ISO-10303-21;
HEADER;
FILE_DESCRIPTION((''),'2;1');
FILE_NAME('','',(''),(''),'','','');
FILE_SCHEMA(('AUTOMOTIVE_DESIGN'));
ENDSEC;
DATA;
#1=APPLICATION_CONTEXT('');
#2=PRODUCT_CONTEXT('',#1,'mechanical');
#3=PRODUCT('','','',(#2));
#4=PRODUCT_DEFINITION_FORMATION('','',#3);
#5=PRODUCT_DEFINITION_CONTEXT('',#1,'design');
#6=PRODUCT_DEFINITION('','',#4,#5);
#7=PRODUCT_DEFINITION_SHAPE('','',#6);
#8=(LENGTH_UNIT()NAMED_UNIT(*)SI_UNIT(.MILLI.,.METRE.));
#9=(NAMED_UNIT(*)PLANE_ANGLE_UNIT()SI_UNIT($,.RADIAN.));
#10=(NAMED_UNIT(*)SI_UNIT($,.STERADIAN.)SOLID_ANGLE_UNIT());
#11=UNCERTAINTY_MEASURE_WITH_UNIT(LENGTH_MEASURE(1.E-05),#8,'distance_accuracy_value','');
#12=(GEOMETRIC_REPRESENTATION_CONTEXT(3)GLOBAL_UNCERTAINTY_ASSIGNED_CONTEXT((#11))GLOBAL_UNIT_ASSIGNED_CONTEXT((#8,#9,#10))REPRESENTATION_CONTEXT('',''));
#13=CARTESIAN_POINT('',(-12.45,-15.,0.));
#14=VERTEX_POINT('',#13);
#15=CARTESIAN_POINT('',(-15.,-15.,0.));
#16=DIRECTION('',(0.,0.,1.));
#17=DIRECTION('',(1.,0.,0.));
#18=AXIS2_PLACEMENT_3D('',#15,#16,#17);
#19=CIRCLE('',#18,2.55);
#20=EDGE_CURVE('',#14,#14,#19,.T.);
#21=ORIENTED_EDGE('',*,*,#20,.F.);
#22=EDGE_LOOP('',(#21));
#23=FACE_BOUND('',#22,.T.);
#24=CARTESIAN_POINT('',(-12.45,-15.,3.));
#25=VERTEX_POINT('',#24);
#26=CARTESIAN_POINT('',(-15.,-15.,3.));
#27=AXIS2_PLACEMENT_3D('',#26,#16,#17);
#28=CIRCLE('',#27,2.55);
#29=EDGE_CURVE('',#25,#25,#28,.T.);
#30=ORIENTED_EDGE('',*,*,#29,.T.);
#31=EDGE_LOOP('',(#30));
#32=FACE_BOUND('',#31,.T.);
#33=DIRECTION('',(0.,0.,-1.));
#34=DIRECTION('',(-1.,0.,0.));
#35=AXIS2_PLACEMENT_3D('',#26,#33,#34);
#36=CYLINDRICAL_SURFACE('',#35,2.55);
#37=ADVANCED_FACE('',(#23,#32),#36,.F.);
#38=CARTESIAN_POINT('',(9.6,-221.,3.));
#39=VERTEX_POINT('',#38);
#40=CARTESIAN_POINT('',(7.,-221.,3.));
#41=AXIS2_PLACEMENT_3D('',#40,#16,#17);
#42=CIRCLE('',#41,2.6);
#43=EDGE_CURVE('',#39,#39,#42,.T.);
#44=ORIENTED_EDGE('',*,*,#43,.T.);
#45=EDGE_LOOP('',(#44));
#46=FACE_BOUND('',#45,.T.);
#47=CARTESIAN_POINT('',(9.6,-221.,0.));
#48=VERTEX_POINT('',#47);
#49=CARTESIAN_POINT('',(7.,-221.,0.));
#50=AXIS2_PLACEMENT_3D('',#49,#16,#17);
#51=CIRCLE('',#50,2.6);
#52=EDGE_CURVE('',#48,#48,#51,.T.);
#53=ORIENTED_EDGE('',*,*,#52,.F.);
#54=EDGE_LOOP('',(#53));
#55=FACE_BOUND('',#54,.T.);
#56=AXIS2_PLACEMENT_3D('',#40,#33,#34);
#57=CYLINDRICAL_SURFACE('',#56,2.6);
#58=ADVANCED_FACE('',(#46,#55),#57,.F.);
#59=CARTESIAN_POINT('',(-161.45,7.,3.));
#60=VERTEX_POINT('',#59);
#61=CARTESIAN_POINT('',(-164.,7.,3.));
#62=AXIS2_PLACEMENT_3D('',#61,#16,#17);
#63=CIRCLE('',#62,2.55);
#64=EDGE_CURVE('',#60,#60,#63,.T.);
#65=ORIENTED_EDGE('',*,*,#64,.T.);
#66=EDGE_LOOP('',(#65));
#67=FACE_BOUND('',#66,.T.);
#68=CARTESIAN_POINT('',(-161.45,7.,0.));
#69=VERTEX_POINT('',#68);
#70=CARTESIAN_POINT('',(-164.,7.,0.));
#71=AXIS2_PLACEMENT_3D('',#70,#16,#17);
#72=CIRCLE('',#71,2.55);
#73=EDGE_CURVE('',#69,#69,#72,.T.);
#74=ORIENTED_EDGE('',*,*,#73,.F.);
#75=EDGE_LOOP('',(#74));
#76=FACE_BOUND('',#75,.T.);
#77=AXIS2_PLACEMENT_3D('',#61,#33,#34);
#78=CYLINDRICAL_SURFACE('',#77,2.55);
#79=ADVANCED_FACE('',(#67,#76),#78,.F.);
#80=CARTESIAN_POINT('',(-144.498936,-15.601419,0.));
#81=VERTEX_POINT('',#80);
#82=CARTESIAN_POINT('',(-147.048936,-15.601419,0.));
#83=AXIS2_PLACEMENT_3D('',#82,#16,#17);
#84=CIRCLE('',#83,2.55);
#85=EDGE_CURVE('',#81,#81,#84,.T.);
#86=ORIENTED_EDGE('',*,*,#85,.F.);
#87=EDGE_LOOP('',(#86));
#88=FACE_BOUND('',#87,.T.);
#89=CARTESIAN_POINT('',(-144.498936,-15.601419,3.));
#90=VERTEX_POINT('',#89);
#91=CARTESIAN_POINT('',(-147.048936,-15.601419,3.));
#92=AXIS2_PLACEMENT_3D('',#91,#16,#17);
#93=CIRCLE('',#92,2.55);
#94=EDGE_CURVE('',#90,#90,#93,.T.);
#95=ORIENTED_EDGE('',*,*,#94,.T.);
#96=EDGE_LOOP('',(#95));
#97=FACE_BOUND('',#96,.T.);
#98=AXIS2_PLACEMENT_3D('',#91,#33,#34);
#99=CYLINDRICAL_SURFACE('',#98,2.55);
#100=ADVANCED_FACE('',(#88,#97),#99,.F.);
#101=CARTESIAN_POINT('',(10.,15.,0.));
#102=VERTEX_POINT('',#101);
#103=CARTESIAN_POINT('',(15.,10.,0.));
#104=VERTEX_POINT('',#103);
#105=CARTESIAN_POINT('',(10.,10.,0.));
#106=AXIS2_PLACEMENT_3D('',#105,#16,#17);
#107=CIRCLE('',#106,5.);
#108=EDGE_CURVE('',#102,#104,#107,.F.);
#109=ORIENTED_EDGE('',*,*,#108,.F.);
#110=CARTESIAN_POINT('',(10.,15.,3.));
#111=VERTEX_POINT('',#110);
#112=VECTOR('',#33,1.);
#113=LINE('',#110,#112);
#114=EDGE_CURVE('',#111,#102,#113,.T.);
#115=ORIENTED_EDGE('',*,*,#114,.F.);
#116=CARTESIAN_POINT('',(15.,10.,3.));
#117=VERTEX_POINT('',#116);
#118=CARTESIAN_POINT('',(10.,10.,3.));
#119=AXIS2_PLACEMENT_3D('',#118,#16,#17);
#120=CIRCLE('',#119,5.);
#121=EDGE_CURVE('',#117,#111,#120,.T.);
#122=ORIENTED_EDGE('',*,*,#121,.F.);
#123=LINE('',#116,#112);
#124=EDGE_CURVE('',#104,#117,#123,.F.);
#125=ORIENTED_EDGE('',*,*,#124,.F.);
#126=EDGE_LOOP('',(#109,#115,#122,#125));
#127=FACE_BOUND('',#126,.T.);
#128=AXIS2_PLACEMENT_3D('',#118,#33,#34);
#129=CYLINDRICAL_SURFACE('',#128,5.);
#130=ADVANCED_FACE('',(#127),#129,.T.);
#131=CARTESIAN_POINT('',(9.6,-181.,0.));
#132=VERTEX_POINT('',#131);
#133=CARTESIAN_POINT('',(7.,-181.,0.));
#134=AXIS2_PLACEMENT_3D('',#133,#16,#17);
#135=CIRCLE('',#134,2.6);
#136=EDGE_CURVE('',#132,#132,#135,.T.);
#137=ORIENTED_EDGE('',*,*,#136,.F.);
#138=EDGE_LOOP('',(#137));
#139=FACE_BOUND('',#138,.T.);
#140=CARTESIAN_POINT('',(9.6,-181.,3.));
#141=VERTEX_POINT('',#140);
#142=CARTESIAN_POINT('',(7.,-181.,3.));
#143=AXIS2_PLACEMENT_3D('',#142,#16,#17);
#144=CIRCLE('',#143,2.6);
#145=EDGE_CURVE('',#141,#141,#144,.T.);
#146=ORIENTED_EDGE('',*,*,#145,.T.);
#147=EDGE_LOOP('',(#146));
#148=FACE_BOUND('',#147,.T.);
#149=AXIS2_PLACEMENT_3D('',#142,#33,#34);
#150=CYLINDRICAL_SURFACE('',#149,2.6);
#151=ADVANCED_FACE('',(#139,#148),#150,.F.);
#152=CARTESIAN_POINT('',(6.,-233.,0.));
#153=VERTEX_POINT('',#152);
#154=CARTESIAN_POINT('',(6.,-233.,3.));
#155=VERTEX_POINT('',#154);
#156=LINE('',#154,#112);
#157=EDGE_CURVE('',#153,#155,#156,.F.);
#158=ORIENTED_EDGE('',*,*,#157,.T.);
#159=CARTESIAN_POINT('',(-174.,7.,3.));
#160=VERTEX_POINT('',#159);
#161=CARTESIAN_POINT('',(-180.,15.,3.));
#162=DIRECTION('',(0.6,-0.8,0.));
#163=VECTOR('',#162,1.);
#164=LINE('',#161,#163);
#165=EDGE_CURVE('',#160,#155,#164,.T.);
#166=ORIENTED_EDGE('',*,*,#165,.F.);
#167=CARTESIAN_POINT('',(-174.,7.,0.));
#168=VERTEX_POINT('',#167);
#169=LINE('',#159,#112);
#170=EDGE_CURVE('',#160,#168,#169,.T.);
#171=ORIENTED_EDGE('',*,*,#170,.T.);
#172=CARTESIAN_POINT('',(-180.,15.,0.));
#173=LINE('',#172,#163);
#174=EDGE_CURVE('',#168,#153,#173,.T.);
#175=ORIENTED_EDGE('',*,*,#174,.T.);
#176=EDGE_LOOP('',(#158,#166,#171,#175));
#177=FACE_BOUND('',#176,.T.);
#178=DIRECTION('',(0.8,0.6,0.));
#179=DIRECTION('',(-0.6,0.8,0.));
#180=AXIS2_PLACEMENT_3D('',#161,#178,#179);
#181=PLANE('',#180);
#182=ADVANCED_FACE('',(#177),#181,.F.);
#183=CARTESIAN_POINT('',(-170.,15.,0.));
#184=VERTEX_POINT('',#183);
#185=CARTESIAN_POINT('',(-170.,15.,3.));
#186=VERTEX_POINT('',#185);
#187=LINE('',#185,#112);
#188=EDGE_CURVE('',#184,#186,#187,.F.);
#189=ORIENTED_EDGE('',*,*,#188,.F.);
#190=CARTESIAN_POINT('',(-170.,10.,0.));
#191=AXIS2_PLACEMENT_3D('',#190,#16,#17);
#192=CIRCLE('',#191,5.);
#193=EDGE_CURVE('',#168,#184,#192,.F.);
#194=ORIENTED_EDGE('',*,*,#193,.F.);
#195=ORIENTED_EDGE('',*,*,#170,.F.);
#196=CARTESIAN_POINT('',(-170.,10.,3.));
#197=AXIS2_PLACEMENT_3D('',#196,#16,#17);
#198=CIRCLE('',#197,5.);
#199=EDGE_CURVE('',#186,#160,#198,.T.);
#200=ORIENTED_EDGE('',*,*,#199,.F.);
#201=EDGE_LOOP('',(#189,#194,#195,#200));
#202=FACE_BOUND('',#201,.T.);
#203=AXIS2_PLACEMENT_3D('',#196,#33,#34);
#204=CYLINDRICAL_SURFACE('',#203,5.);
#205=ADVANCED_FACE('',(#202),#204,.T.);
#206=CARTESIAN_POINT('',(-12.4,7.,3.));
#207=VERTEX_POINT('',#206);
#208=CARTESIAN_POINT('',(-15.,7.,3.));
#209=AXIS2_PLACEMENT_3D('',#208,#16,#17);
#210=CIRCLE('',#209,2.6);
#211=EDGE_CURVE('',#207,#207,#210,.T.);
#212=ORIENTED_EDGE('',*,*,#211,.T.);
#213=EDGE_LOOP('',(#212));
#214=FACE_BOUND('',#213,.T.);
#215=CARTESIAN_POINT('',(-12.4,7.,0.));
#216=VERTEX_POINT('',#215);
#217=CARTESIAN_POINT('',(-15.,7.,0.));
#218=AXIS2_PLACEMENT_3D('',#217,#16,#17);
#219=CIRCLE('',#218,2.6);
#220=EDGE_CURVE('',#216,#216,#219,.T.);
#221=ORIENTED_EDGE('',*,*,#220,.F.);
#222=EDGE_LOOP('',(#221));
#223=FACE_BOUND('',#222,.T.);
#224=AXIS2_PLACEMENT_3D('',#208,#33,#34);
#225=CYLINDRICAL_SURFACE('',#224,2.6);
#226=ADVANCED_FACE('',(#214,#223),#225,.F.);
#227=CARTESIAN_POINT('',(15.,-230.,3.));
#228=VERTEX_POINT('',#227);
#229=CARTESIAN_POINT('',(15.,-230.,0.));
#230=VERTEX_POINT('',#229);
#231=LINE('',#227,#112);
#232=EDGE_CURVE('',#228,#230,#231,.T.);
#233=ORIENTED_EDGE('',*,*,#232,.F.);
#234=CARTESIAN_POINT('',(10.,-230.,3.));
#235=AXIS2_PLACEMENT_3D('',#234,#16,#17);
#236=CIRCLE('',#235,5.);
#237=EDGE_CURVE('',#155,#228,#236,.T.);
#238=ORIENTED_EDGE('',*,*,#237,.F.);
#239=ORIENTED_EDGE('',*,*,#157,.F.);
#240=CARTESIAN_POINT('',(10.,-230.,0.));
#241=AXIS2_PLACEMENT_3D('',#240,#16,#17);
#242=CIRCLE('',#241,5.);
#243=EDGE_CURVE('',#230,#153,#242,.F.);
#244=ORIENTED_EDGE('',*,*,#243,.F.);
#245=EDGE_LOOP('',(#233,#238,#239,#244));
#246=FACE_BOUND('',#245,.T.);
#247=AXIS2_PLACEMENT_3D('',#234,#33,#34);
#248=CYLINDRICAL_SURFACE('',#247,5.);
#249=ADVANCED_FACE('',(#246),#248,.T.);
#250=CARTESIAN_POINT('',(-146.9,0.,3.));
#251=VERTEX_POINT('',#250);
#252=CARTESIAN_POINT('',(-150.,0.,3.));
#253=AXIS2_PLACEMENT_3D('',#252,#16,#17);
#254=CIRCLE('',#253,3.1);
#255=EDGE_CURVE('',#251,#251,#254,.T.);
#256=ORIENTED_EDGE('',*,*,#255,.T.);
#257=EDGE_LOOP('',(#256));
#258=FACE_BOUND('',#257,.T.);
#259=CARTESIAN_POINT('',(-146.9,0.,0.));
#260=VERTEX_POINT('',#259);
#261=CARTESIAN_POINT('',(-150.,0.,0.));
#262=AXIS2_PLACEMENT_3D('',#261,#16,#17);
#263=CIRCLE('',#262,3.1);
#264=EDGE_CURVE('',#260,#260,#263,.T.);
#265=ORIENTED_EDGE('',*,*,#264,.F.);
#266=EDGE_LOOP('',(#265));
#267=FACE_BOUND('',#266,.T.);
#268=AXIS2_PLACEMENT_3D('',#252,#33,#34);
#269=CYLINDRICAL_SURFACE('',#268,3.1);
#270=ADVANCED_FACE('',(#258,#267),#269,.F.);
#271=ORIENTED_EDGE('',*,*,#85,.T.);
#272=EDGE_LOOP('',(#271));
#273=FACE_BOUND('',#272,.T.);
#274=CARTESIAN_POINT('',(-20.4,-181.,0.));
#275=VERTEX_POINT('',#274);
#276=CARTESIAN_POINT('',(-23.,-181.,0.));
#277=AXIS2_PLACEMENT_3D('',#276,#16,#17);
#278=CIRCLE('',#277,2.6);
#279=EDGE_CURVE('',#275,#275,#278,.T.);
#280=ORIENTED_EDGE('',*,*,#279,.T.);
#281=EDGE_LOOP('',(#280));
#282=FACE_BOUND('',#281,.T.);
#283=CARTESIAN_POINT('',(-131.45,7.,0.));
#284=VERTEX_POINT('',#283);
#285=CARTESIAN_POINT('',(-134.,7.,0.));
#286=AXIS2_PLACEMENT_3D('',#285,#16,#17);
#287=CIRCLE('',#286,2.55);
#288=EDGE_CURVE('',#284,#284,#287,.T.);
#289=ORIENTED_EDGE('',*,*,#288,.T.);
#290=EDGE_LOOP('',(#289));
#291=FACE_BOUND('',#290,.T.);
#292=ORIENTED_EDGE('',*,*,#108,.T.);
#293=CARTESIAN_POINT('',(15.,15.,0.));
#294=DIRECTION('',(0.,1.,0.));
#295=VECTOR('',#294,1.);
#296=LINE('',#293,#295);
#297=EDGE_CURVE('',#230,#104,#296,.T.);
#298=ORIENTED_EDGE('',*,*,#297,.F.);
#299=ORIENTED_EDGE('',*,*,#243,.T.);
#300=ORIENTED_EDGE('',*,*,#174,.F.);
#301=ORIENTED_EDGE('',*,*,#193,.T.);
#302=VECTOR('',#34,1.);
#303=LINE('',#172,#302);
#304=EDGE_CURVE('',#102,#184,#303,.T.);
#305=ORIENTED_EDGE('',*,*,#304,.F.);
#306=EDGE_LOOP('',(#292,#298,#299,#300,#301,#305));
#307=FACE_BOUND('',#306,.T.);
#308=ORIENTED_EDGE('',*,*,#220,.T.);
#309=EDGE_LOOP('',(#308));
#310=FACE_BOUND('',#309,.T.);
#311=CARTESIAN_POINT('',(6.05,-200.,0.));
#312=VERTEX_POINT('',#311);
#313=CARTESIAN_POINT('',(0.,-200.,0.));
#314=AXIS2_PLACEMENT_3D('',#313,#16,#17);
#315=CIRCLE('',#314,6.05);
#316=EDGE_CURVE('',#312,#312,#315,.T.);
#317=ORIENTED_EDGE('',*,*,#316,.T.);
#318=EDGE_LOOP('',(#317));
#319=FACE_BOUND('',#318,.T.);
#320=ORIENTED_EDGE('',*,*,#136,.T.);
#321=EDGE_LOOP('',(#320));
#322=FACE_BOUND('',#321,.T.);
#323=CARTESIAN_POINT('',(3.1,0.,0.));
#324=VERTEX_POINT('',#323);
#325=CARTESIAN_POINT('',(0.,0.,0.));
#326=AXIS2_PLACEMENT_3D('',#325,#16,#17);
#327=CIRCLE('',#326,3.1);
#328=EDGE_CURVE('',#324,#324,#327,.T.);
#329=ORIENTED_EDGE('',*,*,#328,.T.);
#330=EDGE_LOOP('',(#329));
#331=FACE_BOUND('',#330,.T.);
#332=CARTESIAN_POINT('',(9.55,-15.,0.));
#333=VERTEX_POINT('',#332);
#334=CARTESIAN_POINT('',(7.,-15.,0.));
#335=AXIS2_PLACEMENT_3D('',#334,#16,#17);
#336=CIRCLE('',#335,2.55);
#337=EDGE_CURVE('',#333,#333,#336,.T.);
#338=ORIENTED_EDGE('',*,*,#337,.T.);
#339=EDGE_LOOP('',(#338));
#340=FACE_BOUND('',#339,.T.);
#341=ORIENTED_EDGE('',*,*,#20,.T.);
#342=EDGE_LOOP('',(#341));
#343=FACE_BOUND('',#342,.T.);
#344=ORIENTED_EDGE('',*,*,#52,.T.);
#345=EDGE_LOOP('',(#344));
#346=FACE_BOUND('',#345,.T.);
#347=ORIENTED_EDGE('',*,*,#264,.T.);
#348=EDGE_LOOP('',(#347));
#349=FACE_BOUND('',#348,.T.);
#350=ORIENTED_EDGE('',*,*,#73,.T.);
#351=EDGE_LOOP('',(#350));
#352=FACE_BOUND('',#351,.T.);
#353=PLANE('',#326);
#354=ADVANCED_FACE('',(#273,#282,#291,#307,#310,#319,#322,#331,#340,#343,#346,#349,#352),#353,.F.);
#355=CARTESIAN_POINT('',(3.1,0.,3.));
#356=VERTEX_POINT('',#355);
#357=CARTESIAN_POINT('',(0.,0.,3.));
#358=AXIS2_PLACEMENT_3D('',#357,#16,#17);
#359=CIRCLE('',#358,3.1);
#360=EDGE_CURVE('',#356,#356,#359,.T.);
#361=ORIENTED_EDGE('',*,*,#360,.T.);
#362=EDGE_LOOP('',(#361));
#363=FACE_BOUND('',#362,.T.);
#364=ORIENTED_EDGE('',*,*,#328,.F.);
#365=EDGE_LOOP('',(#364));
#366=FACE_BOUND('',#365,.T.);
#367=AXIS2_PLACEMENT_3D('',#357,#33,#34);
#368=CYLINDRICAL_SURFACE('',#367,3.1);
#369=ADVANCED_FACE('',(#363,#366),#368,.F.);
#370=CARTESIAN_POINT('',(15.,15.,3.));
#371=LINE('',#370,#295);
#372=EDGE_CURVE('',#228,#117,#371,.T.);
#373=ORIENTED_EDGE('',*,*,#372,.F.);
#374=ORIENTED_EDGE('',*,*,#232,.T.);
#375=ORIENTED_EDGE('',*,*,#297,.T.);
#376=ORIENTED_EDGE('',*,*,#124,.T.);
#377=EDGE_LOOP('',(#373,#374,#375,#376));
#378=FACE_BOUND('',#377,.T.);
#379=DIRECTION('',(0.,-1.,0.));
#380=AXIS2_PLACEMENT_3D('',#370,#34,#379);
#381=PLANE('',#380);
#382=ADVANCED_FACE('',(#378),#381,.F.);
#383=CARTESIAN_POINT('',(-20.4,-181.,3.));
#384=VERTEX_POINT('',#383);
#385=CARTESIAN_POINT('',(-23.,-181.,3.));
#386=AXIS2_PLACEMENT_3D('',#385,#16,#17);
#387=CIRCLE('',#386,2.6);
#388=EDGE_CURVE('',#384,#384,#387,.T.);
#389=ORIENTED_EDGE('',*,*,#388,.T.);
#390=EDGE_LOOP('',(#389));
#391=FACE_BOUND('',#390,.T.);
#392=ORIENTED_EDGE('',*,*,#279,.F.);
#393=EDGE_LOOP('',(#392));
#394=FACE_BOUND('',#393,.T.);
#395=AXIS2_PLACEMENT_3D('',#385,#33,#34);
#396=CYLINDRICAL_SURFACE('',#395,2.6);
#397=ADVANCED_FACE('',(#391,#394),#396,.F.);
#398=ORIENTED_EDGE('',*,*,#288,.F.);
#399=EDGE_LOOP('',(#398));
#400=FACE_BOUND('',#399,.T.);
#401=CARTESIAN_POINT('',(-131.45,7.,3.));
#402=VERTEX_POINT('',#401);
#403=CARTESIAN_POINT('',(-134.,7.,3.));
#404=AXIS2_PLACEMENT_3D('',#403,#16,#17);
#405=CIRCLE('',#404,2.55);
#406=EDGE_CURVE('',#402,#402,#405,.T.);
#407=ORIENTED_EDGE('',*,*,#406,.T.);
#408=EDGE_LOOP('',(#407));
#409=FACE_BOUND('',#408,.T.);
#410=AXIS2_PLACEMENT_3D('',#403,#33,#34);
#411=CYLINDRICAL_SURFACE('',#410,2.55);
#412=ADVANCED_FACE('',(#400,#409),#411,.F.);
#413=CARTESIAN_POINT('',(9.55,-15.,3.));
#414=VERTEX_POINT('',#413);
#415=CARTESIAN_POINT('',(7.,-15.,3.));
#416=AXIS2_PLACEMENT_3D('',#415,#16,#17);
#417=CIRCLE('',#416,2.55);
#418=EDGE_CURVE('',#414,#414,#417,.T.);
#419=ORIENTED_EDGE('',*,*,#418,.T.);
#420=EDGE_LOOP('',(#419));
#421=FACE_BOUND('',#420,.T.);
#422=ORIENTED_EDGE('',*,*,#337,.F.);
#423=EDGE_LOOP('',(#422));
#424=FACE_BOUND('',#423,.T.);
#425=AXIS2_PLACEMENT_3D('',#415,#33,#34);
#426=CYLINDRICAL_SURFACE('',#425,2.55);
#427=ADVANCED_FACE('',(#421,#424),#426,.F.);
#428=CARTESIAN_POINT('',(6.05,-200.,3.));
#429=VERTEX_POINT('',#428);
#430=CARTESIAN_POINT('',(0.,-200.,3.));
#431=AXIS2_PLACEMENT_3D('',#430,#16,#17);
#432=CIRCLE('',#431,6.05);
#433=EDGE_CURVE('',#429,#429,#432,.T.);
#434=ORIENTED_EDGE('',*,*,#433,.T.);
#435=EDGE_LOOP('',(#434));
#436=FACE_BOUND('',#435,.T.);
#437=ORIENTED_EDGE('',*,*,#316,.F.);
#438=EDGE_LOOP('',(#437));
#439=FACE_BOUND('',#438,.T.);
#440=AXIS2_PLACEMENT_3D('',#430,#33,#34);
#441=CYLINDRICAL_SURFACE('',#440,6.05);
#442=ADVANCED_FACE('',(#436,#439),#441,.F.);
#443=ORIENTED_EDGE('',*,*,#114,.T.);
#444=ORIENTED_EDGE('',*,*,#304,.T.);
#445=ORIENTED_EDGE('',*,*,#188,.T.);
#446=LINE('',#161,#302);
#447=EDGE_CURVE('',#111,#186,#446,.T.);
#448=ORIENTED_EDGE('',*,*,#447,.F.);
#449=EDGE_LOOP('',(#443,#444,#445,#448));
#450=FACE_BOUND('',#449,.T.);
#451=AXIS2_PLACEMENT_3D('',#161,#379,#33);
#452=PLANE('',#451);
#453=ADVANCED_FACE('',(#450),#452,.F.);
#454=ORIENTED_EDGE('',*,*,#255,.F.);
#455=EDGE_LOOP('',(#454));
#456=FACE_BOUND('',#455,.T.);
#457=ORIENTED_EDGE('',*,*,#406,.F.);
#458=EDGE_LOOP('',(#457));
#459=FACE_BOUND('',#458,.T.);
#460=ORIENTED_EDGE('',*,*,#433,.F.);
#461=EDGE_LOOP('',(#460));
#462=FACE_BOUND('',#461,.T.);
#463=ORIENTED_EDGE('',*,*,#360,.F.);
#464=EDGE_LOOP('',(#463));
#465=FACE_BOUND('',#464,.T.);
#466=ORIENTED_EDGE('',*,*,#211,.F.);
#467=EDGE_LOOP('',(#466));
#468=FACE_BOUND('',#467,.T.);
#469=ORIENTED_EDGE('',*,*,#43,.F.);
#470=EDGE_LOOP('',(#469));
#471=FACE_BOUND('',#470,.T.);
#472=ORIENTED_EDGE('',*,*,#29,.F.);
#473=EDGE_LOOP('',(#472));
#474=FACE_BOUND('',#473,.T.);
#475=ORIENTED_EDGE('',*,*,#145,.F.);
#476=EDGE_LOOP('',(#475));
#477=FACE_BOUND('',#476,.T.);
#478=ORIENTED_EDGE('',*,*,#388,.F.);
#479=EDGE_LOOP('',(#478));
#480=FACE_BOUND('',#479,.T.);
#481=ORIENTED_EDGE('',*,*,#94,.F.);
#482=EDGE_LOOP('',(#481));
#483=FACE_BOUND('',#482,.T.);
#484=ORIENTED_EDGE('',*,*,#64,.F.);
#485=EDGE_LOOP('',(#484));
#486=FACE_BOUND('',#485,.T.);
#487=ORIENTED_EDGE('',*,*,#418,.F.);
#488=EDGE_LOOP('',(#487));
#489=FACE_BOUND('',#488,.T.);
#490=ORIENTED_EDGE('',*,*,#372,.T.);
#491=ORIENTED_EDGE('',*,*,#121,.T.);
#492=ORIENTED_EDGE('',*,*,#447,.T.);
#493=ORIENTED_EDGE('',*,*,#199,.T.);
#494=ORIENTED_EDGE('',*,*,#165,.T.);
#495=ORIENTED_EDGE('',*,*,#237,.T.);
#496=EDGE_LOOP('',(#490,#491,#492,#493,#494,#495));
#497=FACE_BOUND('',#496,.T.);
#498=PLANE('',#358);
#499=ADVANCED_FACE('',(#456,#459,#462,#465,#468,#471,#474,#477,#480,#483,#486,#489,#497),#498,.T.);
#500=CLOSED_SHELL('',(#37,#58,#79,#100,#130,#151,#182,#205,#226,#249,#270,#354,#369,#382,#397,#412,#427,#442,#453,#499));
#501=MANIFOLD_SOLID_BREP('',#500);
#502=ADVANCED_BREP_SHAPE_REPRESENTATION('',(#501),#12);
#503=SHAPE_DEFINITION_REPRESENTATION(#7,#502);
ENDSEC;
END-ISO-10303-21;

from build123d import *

# Parameters (mm, degrees)
SKETCH_2_R      = 3.1
SKETCH_2_R_2    = 6.05
SKETCH_2_R_3    = 2.55
SKETCH_2_R_4    = 2.6
EXTRUDE_1_DEPTH = 3
FILLET_1_R      = 5


with BuildPart() as part:
    # 草图2 → 凸台-拉伸1 (new body)
    with BuildSketch(Plane.XY):
        Polygon((-180, 15), (15, 15), (15, -245), align=None)
        Circle(SKETCH_2_R, mode=Mode.SUBTRACT)
        with Locations((-150, 0)):
            Circle(SKETCH_2_R, mode=Mode.SUBTRACT)
        with Locations((0, -200)):
            Circle(SKETCH_2_R_2, mode=Mode.SUBTRACT)
        with Locations((-164, 7)):
            Circle(SKETCH_2_R_3, mode=Mode.SUBTRACT)
        with Locations((-134, 7)):
            Circle(SKETCH_2_R_3, mode=Mode.SUBTRACT)
        with Locations((-147.04893552, -15.601419306)):
            Circle(SKETCH_2_R_3, mode=Mode.SUBTRACT)
        with Locations((-15, 7)):
            Circle(SKETCH_2_R_4, mode=Mode.SUBTRACT)
        with Locations((7, -15)):
            Circle(SKETCH_2_R_3, mode=Mode.SUBTRACT)
        with Locations((7, -221)):
            Circle(SKETCH_2_R_4, mode=Mode.SUBTRACT)
        with Locations((-23, -181)):
            Circle(SKETCH_2_R_4, mode=Mode.SUBTRACT)
        with Locations((7, -181)):
            Circle(SKETCH_2_R_4, mode=Mode.SUBTRACT)
        with Locations((-15, -15)):
            Circle(SKETCH_2_R_3, mode=Mode.SUBTRACT)
    extrude(amount=EXTRUDE_1_DEPTH)

    # 圆角1
    fillet_1_edges = [part.edges().sort_by_distance(p)[0] for p in [
        (-180, 15, 1.5),
        (15, 15, 1.5),
        (15, -245, 1.5),
    ]]
    fillet(fillet_1_edges, radius=FILLET_1_R)


solid = part.part
